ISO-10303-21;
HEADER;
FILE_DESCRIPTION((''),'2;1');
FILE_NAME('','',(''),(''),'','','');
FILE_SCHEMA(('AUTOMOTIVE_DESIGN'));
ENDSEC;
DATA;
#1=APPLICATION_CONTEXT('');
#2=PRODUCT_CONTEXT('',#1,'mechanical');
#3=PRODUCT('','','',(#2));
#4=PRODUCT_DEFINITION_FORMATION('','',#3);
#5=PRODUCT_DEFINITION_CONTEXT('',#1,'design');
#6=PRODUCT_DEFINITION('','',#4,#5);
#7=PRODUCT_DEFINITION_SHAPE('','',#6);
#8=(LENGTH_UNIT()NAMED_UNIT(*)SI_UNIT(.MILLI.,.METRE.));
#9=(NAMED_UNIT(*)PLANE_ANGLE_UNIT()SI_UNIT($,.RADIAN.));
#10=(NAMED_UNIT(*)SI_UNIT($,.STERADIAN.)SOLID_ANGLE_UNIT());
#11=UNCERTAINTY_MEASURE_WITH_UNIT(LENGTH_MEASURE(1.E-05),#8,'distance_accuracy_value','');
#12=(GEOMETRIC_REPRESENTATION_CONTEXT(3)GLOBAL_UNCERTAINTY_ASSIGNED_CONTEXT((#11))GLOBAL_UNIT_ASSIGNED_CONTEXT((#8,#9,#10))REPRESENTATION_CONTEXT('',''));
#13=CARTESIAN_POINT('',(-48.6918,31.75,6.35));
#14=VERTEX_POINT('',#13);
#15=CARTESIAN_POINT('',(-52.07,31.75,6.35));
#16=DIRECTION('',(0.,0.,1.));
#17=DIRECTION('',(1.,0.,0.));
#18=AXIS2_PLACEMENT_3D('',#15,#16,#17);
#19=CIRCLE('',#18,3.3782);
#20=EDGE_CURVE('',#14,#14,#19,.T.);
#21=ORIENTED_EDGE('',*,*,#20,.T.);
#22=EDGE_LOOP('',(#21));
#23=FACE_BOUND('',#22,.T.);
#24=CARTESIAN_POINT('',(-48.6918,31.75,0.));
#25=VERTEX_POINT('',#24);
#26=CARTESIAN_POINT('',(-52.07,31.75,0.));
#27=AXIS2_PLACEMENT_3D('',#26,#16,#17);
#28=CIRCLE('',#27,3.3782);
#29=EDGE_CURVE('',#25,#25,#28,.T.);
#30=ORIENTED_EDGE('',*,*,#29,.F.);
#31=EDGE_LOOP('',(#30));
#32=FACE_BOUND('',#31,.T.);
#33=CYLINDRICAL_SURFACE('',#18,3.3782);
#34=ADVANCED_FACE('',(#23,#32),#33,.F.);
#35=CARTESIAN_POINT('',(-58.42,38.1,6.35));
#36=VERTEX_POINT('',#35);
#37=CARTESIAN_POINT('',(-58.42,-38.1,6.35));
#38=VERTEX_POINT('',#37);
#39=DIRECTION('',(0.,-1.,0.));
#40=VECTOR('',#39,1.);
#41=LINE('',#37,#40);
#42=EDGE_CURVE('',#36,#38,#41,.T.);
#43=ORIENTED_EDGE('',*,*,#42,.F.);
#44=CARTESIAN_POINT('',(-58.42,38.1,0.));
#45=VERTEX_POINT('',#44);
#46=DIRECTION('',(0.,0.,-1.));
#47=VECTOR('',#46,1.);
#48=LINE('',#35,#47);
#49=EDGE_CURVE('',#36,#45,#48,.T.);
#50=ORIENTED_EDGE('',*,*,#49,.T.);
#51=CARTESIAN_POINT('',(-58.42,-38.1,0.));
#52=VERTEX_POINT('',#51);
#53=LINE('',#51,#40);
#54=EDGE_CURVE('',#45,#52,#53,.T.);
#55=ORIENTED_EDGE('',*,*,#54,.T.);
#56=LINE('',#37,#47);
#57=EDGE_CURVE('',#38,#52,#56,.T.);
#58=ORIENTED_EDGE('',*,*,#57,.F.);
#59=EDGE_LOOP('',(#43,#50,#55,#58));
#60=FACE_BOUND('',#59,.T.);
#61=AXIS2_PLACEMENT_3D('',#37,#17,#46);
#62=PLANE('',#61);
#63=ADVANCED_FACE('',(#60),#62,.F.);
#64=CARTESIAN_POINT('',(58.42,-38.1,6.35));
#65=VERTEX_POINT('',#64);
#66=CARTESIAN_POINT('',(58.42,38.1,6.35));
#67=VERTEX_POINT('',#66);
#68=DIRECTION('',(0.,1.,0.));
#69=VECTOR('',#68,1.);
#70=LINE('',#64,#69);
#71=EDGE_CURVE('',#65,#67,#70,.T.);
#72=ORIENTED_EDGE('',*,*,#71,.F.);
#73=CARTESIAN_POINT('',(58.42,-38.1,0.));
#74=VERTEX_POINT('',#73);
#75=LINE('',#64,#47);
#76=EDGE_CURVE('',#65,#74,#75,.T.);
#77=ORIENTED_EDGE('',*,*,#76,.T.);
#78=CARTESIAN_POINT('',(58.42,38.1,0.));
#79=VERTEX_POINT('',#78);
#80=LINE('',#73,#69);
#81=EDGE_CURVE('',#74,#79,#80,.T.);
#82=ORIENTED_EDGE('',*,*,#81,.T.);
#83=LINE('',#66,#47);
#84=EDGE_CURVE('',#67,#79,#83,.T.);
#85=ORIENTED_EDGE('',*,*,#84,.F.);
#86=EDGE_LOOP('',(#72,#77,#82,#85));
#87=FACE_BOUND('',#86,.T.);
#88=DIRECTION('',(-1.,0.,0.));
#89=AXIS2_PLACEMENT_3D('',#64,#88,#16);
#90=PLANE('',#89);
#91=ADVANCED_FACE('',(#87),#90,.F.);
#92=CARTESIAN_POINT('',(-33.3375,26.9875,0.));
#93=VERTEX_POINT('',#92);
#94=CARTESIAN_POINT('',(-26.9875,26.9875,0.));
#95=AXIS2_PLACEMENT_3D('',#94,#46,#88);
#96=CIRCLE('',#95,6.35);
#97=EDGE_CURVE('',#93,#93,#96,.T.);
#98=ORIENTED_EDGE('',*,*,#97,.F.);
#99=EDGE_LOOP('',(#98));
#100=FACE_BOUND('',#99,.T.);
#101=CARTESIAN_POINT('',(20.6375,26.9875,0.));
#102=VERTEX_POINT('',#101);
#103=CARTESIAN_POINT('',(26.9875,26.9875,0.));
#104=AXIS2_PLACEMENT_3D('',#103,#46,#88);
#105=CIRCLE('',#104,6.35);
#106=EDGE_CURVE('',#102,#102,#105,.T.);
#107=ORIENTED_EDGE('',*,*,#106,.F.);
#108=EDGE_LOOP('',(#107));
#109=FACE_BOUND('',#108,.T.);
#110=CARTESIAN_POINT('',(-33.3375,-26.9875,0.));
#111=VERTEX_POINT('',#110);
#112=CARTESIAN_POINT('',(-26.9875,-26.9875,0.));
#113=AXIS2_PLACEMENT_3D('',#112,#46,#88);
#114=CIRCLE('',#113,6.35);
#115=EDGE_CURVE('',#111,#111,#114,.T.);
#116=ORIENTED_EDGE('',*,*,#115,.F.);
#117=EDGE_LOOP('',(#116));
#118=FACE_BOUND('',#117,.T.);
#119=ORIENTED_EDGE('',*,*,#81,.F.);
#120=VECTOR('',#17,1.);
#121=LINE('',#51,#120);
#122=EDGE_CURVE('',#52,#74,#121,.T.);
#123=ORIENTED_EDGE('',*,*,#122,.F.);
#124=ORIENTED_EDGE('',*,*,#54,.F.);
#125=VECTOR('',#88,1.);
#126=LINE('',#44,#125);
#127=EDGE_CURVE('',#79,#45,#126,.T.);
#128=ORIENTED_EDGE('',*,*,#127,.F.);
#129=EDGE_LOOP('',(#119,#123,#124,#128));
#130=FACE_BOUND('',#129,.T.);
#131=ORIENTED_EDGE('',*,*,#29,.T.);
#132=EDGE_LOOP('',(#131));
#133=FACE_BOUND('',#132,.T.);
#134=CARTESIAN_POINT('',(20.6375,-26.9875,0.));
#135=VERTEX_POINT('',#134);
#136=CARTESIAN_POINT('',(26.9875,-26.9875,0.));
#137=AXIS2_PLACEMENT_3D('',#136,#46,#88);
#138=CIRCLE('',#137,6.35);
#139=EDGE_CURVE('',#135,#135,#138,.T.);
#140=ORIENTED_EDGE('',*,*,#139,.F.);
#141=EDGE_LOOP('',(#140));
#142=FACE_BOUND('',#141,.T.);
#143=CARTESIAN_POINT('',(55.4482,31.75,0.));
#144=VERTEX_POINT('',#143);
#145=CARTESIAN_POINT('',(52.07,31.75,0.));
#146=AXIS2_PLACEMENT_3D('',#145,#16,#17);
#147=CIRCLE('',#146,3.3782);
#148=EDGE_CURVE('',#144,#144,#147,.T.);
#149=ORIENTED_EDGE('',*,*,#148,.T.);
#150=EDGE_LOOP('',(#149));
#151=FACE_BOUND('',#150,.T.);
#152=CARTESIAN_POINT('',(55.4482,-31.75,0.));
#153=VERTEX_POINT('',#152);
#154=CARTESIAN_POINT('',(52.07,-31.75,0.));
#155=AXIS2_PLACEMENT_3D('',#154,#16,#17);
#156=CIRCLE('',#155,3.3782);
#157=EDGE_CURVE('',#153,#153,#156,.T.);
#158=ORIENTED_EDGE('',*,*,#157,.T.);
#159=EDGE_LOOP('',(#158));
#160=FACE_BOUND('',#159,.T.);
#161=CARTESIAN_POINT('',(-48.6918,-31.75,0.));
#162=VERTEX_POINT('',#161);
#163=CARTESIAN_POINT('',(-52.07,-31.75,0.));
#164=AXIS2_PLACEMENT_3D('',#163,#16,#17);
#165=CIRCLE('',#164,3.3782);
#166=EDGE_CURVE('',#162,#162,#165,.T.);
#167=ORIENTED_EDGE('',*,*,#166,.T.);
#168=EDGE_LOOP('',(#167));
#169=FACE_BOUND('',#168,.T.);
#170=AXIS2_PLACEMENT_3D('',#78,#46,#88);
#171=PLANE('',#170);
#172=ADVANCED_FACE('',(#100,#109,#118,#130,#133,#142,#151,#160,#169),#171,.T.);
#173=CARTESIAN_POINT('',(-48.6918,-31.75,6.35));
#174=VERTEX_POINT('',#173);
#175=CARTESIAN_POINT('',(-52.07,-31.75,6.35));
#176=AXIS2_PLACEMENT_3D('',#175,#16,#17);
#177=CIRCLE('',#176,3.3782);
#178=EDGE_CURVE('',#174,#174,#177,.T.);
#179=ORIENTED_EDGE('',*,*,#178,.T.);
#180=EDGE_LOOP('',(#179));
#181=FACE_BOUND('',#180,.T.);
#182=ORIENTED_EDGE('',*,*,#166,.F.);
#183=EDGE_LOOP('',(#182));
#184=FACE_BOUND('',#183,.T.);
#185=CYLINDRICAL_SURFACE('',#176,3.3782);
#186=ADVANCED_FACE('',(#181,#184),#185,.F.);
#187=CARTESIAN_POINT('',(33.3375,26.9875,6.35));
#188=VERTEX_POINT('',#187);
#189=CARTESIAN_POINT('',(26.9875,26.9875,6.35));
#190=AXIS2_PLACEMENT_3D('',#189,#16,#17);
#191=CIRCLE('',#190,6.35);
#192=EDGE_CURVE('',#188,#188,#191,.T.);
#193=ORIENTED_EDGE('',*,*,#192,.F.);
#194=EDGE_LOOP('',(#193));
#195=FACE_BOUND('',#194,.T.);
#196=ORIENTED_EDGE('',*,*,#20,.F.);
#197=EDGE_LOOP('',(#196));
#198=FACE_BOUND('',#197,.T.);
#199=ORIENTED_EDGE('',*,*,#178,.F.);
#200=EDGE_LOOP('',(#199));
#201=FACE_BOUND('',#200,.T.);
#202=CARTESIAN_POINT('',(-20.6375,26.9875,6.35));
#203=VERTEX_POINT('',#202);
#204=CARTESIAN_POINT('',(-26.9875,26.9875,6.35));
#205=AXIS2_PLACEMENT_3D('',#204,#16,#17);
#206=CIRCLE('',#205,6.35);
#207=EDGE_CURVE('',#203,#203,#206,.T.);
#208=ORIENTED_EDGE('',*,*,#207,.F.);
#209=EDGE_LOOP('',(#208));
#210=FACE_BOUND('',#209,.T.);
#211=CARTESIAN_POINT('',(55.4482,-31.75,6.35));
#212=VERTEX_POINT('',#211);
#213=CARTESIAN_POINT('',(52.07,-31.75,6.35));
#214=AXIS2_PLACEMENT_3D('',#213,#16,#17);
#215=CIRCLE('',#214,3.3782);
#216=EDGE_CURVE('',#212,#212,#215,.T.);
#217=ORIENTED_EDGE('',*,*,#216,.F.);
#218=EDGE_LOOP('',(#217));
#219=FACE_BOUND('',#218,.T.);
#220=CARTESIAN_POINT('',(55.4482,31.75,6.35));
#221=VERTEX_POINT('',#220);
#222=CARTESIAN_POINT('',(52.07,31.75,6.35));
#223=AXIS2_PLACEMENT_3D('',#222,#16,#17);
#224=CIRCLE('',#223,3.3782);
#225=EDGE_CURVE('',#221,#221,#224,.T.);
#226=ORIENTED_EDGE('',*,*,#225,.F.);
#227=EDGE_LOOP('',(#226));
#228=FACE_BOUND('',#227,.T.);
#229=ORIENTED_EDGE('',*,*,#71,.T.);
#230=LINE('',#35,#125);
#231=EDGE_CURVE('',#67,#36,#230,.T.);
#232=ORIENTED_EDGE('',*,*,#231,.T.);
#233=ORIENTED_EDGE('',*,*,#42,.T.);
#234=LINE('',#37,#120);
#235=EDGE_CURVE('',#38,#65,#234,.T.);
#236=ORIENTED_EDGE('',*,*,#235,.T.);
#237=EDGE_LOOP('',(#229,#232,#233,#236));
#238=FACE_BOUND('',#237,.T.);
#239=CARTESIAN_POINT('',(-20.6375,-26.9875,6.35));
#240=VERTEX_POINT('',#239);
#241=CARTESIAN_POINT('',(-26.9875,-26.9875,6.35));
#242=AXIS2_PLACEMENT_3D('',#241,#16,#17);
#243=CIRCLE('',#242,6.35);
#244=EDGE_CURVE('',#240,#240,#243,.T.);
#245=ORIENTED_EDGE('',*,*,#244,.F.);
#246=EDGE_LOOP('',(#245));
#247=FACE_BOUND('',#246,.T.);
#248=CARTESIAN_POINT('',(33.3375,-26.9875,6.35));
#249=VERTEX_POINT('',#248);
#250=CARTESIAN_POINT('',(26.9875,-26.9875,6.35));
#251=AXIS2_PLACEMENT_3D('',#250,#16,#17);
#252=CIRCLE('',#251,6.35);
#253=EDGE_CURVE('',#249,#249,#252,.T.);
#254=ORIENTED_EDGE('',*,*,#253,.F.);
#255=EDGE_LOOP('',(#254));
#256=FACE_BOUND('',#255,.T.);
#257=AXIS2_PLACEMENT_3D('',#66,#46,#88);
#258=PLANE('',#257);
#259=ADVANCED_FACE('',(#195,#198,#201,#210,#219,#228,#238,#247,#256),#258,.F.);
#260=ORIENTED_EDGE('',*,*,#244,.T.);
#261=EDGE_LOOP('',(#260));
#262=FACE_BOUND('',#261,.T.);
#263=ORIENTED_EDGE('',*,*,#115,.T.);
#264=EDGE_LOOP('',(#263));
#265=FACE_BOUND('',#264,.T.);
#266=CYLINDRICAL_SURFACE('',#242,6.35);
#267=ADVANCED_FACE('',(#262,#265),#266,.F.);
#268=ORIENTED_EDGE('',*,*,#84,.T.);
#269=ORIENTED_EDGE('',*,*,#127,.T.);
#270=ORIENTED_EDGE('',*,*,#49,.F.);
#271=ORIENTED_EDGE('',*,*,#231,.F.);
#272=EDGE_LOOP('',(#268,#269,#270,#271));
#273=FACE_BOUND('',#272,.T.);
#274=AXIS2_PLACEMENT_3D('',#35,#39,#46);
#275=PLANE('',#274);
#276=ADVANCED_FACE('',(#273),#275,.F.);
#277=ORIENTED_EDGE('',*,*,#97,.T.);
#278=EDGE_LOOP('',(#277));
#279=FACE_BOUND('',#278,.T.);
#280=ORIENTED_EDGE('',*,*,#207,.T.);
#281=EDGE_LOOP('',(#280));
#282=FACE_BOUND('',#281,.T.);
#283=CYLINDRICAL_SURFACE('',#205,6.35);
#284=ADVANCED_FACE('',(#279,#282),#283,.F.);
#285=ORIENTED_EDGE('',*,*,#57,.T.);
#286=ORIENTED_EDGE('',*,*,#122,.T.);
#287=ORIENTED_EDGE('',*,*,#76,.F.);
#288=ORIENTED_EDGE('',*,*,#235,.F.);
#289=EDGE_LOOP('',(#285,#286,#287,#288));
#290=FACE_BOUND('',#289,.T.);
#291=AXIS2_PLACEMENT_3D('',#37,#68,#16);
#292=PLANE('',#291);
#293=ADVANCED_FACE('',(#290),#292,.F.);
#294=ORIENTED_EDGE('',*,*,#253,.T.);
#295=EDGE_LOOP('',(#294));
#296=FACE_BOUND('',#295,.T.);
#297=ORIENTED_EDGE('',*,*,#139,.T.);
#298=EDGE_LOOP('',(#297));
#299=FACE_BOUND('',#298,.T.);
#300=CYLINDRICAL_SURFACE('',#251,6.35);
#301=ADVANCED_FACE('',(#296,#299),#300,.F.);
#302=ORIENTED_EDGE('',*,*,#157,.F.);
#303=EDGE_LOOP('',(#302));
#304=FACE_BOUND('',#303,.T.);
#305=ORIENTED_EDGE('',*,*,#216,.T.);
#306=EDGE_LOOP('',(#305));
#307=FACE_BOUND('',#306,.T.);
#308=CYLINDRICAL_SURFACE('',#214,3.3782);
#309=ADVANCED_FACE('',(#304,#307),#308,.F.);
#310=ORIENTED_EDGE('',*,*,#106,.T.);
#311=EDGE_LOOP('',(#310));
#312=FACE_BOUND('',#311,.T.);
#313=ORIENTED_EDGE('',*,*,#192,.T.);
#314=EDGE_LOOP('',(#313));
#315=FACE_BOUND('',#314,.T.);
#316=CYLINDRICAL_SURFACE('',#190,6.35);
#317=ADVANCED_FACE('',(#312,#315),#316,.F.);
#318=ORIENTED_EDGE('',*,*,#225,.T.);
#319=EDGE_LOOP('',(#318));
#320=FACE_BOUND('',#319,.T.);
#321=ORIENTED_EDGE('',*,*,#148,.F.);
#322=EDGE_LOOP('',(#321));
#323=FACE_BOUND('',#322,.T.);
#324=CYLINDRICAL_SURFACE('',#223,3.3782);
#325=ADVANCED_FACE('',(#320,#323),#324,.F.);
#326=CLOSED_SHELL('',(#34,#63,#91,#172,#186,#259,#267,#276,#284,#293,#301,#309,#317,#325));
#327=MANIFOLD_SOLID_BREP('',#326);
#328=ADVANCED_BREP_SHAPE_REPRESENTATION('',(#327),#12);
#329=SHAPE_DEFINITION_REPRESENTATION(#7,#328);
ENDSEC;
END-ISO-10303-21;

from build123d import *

# Parameters (mm, degrees)
SKETCH1_W                      = 116.84
SKETCH1_H                      = 76.2
EXTRUDE1_DEPTH                 = 6.35
F_1_4_CLEARANCE_HOLE1_D        = 6.7564
MIRROR2_COPY_1_D               = 6.7564
F_1_2_0_5_DIAMETER_HOLE1_D     = 12.7
F_1_2_0_5_DIAMETER_HOLE1_DEPTH = 17.78
F_1_2_0_5_DIAMETER_HOLE1_TIP   = 3.815464931


with BuildPart() as part:
    # Sketch1 → Extrude1 (new body)
    with BuildSketch(Plane.XY):
        Rectangle(SKETCH1_W, SKETCH1_H)
    extrude(amount=EXTRUDE1_DEPTH)

    # 1/4 Clearance Hole1 (through all)
    with Locations(Plane(origin=(-52.07, 31.75, 6.35), x_dir=(1, 0, 0), z_dir=(0, 0, 1))):
        with Locations((0, 0)):
            f_1_4_clearance_hole1 = Hole(F_1_4_CLEARANCE_HOLE1_D / 2)

    # Mirror1: 1/4 Clearance Hole1 across plane
    add(f_1_4_clearance_hole1.mirror(Plane.ZX), mode=Mode.SUBTRACT)

    # Mirror2: 1/4 Clearance Hole1 across plane
    add(f_1_4_clearance_hole1.mirror(Plane(origin=(0, 0, 0), x_dir=(0, 0, 1), z_dir=(1, 0, 0))), mode=Mode.SUBTRACT)

    # Mirror2 copy 1 (through all)
    with Locations(Plane(origin=(52.07, -31.75, 6.35), x_dir=(-1, 0, 0), z_dir=(0, 0, 1))):
        with Locations((0, 0)):
            Hole(MIRROR2_COPY_1_D / 2)

    # 1/2 (0.5) Diameter Hole1
    with Locations(Plane(origin=(-26.9875, 26.9875, 6.35), x_dir=(1, 0, 0), z_dir=(0, 0, 1))):
        with Locations((0, 0), (53.975, 0), (53.975, -53.975), (0, -53.975)):
            Hole(F_1_2_0_5_DIAMETER_HOLE1_D / 2, depth=F_1_2_0_5_DIAMETER_HOLE1_DEPTH)
            with Locations((0, 0, -(F_1_2_0_5_DIAMETER_HOLE1_DEPTH + F_1_2_0_5_DIAMETER_HOLE1_TIP / 2))):  # 118° drill point
                Cone(0, F_1_2_0_5_DIAMETER_HOLE1_D / 2, F_1_2_0_5_DIAMETER_HOLE1_TIP, mode=Mode.SUBTRACT)


solid = part.part
